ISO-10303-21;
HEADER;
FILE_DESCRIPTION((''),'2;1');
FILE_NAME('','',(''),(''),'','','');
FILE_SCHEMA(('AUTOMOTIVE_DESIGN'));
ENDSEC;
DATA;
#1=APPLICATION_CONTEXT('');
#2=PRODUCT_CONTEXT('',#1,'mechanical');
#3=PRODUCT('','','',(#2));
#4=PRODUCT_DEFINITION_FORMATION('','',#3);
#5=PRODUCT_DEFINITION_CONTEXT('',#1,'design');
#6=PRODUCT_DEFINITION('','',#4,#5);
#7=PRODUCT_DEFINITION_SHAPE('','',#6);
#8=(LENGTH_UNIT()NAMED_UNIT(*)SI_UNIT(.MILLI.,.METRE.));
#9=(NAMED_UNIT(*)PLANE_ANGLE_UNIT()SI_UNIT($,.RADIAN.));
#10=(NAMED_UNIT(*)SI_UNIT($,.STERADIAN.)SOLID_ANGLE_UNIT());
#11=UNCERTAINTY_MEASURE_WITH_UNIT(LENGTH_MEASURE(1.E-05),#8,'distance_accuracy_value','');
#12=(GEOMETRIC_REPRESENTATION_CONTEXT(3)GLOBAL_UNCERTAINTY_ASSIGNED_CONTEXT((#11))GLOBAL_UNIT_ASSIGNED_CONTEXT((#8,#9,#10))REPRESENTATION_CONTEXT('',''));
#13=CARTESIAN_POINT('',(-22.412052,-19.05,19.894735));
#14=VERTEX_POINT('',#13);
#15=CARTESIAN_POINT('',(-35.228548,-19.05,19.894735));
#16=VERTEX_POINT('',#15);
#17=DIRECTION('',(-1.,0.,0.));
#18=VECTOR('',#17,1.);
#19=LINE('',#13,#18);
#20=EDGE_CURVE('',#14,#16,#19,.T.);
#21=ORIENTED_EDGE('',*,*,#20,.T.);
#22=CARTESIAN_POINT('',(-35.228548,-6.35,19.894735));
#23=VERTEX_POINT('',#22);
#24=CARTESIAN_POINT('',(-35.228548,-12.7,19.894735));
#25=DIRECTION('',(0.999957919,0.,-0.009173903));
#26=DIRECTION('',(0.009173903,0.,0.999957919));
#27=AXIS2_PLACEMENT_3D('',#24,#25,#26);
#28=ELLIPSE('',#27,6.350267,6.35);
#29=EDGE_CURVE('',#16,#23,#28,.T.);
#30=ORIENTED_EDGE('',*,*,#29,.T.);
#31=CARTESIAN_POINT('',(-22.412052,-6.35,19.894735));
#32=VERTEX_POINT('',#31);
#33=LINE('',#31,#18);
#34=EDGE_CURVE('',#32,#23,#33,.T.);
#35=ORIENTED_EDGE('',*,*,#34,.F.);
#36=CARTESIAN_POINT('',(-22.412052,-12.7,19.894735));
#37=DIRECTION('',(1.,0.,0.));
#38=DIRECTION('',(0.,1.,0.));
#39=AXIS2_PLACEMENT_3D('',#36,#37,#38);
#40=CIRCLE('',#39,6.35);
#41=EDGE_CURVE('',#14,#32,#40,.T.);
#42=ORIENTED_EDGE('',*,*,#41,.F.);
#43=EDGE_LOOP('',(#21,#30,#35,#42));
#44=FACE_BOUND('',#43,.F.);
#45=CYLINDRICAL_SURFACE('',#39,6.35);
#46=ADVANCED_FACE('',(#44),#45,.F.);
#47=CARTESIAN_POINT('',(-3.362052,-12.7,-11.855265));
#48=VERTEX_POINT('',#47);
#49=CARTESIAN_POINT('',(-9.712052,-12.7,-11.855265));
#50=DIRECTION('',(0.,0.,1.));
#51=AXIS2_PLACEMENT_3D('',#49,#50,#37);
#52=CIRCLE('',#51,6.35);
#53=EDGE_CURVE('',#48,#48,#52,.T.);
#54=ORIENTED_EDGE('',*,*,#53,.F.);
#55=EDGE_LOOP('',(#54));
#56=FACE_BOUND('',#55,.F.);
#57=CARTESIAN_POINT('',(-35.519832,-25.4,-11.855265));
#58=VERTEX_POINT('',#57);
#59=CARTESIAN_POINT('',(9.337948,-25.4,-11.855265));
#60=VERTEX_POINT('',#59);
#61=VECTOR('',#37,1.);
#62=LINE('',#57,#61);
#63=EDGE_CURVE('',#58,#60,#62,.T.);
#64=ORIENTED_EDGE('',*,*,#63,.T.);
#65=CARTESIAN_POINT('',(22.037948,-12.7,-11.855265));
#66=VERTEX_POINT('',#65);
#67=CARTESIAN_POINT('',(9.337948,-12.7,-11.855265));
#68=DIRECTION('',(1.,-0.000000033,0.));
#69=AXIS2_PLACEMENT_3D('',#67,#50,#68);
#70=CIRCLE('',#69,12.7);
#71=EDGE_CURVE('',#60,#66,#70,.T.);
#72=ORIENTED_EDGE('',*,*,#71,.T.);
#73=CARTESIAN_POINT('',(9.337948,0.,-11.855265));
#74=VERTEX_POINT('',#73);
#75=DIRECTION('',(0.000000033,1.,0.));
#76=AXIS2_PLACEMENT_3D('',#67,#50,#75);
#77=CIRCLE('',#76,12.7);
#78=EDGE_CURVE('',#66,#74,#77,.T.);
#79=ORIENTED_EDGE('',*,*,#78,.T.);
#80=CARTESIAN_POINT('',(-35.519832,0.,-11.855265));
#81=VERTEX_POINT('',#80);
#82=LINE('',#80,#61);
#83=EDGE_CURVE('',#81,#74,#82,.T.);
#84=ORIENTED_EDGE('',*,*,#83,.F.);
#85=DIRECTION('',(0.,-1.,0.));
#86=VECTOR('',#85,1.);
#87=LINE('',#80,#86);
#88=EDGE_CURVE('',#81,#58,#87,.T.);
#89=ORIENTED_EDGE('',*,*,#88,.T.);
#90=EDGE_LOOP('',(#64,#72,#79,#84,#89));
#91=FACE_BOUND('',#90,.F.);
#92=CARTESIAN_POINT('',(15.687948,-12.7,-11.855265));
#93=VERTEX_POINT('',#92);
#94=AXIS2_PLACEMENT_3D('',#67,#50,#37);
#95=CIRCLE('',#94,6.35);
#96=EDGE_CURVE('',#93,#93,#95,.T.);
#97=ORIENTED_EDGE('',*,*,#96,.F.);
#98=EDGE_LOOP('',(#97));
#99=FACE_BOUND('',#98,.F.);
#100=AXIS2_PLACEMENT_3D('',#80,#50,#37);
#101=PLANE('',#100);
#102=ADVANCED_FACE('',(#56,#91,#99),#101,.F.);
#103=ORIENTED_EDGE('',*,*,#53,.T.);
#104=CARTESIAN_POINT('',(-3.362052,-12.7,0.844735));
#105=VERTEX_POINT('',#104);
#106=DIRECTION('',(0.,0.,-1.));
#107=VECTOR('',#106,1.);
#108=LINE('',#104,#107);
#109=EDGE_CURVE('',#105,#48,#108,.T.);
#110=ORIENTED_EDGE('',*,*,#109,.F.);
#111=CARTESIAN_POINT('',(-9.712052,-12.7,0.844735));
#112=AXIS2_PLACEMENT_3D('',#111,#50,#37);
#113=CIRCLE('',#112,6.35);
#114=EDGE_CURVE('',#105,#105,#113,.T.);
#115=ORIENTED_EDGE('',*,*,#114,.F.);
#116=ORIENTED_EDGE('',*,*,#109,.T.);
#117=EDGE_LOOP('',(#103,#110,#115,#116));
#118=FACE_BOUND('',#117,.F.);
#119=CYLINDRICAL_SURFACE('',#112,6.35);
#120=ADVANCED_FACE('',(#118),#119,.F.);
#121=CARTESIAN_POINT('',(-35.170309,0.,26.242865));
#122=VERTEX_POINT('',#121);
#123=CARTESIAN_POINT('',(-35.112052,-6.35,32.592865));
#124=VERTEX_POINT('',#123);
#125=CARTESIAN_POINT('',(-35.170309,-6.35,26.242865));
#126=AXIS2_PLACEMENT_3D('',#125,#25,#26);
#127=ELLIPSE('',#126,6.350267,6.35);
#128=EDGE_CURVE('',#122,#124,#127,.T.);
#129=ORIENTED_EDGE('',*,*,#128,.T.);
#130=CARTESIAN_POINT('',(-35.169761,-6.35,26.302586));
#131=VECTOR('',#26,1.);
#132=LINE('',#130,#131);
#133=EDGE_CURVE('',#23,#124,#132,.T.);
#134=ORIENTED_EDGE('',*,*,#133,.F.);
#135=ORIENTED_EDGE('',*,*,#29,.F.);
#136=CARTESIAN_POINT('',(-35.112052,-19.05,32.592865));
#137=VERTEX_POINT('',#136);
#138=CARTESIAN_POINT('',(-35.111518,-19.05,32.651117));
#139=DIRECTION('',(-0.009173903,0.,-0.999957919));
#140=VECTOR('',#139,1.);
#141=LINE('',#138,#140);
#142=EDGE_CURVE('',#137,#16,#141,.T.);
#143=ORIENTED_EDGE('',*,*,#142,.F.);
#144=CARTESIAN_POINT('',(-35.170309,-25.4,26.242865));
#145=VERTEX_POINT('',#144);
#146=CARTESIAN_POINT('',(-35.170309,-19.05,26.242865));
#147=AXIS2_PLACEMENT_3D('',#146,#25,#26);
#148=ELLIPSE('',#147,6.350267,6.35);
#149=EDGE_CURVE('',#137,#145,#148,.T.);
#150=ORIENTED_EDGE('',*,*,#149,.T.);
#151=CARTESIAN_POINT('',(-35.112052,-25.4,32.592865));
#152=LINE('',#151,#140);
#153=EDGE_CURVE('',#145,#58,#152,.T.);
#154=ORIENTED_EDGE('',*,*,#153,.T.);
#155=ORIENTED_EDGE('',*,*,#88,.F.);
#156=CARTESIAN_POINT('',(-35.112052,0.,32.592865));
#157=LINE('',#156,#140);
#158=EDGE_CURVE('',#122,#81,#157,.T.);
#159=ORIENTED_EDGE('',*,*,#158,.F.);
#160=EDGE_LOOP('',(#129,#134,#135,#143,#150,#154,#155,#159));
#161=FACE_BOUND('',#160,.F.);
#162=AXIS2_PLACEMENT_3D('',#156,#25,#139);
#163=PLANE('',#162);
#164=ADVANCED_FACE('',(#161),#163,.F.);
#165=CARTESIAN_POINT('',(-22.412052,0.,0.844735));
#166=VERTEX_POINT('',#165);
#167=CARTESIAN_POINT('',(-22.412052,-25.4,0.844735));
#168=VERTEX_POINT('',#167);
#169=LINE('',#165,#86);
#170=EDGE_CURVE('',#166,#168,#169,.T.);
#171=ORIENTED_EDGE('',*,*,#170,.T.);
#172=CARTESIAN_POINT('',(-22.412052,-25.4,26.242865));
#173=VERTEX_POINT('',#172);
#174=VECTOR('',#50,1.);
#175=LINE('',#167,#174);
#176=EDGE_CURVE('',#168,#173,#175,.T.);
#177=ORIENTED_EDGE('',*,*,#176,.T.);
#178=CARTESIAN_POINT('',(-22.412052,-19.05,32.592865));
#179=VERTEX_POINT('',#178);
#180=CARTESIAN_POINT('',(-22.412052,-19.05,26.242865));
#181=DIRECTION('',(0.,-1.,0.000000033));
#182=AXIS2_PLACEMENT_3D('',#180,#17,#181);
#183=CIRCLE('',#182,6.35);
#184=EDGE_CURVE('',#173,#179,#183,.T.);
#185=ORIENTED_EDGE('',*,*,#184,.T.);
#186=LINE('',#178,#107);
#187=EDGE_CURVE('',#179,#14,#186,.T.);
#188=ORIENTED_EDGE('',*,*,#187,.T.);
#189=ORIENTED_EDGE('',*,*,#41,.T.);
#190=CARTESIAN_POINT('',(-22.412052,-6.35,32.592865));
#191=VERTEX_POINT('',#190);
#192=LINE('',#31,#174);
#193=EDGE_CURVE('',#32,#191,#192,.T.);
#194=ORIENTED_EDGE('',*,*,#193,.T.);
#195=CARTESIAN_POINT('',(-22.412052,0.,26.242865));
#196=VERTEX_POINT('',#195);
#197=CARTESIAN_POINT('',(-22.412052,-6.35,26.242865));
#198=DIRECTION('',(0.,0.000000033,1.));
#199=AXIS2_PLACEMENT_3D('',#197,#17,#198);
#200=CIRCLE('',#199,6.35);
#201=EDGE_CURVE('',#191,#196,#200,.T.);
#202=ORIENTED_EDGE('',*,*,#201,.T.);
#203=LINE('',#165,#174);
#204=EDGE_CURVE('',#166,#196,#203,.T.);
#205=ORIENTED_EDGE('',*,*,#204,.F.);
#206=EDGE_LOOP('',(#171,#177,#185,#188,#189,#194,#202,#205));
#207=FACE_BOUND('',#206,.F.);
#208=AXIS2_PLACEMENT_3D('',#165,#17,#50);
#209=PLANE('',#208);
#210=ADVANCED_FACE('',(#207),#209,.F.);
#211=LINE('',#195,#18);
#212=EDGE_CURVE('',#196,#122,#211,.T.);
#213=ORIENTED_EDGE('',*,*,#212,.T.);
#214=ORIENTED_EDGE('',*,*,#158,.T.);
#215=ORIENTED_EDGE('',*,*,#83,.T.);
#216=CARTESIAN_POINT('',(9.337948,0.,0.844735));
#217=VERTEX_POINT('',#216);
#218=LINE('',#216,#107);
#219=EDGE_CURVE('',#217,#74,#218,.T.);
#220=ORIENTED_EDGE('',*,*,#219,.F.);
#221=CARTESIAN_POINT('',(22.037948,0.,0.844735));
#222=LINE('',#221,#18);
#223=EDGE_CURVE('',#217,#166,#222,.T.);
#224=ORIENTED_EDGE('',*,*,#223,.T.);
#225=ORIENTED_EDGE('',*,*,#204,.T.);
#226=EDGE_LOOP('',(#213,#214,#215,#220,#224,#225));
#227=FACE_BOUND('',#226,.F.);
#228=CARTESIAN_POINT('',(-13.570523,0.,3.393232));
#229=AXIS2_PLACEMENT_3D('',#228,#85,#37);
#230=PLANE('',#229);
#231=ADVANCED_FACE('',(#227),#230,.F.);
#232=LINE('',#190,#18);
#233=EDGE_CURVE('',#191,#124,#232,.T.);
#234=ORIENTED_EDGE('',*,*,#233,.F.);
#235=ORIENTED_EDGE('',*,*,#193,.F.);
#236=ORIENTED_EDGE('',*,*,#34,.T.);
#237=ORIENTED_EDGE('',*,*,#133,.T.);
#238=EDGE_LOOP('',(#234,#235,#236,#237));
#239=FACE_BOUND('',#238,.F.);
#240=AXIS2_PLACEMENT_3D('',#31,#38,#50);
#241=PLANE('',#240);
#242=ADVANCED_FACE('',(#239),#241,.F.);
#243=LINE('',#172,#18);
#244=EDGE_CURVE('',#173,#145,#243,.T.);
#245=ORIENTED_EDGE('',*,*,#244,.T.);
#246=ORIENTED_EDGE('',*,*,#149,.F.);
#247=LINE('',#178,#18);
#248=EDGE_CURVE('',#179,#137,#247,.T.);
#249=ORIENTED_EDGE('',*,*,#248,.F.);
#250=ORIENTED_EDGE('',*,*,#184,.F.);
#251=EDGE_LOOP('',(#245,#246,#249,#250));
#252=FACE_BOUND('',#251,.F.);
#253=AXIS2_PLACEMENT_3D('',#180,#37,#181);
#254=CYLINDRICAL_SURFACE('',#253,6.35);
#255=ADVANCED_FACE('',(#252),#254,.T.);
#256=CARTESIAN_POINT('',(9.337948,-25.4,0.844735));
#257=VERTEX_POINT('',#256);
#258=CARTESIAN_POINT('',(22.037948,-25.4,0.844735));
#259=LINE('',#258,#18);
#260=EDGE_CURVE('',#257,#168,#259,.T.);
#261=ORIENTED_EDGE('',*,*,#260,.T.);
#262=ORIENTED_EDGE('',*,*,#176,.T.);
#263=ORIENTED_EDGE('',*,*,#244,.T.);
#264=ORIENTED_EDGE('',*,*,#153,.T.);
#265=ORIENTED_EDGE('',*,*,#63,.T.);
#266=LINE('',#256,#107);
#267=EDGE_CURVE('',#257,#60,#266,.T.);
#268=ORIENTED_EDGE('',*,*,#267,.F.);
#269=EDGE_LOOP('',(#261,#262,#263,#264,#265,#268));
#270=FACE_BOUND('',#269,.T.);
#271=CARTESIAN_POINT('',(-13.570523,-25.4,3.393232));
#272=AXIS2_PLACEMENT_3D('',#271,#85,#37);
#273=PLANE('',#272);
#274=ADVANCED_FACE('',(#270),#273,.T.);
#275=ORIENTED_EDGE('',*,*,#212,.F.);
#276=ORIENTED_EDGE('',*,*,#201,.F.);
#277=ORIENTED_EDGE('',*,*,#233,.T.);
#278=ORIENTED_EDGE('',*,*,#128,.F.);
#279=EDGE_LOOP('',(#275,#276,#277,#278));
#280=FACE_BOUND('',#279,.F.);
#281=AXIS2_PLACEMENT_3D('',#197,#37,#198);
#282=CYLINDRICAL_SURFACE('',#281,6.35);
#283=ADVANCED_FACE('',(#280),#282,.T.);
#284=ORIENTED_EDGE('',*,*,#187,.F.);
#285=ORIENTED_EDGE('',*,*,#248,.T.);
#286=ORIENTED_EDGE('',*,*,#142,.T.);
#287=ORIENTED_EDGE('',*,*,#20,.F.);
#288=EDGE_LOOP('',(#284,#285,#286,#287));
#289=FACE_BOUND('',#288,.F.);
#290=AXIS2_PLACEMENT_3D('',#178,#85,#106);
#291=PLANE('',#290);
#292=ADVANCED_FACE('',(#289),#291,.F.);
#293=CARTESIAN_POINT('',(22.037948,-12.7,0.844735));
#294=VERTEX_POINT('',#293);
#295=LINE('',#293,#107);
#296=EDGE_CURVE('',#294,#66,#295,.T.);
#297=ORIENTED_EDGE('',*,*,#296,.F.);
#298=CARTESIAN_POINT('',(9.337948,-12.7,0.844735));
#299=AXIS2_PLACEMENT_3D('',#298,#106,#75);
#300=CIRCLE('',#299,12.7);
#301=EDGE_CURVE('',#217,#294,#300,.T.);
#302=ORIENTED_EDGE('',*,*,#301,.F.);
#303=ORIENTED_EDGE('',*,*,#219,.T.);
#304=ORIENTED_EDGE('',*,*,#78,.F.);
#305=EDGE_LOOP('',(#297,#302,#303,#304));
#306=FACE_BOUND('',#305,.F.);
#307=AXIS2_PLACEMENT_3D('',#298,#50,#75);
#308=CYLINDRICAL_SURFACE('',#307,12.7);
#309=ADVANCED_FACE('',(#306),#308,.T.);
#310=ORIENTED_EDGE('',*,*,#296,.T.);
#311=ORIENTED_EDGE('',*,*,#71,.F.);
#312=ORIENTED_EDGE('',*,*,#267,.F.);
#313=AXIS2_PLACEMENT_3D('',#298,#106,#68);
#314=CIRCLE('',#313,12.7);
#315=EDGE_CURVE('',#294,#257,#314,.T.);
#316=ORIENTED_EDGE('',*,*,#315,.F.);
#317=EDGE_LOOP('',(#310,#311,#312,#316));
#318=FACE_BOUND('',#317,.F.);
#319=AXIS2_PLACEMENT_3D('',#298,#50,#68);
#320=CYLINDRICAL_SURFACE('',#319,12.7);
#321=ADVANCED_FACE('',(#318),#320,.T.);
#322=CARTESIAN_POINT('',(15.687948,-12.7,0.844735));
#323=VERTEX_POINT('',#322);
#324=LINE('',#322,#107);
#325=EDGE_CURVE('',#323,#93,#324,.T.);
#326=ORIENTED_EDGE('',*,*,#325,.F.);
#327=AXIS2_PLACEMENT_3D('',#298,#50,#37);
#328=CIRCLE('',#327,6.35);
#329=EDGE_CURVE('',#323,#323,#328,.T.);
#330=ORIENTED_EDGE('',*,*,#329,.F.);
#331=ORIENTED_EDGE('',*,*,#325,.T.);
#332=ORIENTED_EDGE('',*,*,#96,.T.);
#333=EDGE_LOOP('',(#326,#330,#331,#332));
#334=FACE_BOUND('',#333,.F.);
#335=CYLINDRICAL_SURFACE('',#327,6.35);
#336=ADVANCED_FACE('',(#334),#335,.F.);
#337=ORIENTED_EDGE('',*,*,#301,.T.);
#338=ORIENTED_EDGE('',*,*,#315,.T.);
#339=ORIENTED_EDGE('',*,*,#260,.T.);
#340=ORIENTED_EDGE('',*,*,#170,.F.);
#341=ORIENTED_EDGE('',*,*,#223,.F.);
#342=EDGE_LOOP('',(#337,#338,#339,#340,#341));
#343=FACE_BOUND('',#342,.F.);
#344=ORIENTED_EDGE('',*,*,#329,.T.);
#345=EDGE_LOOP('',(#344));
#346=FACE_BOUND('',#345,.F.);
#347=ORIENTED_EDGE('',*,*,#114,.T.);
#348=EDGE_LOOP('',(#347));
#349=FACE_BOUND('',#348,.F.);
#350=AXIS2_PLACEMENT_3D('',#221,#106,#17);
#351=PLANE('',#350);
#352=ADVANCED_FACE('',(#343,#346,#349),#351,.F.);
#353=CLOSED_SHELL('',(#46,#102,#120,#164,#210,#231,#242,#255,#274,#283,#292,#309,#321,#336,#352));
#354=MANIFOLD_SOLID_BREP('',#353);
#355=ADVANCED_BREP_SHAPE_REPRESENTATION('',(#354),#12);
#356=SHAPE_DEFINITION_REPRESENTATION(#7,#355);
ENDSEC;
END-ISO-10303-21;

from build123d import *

# Parameters (mm, degrees)
F1_DEPTH = 25.4
F2_R     = 6.35
F3_DEPTH = 25.4
F5_DEPTH = 25.4
F7_DEPTH = 25.4


with BuildPart() as f1:
    # F0 (on Front) → F1 (new body)
    with BuildSketch(Plane.XZ):
        Polygon((-22.412052, 32.592865), (-35.112052, 32.592865), (-35.519832, -11.855265), (22.037948, -11.855265), (22.037948, 0.844735), (-22.412052, 0.844735), align=None)
    extrude(amount=F1_DEPTH)

    # F2 (on face) → F3 (cut)
    with BuildSketch(Plane.XY.offset(0.844735)):
        with Locations((-9.712052, -12.7)):
            Circle(F2_R)
        with Locations((9.337948, -12.7)):
            Circle(F2_R)
        with BuildLine():
            Line((22.037948, 0), (9.337948, 0))
            ThreePointArc((9.337948, 0), (18.318204, -3.719744), (22.037948, -12.7))
            Line((22.037948, -12.7), (22.037948, 0))
        make_face()
        with BuildLine():
            Line((22.037948, -25.4), (22.037948, -12.7))
            ThreePointArc((22.037948, -12.7), (18.318204, -21.680256), (9.337948, -25.4))
            Line((9.337948, -25.4), (22.037948, -25.4))
        make_face()
    extrude(amount=-F3_DEPTH, mode=Mode.SUBTRACT)

    # F4 (on face) → F5 (cut)
    with BuildSketch(Plane.YZ.offset(-22.412052)):
        with BuildLine():
            ThreePointArc((-25.4, 26.242865), (-23.540128, 30.732993), (-19.05, 32.592865))
            Line((-19.05, 32.592865), (-25.4, 32.592865))
            Line((-25.4, 32.592865), (-25.4, 26.242865))
        make_face()
        with BuildLine():
            Line((0, 32.592865), (-6.35, 32.592865))
            ThreePointArc((-6.35, 32.592865), (-1.859872, 30.732993), (0, 26.242865))
            Line((0, 26.242865), (0, 32.592865))
        make_face()
    extrude(amount=-F5_DEPTH, mode=Mode.SUBTRACT)

    # F6 (on face) → F7 (cut)
    with BuildSketch(Plane.YZ.offset(-22.412052)):
        with BuildLine():
            ThreePointArc((-19.05, 19.894735), (-12.7, 26.244735), (-6.35, 19.894735))
            Line((-6.35, 19.894735), (-6.35, 32.592865))
            Line((-6.35, 32.592865), (-19.05, 32.592865))
            Line((-19.05, 32.592865), (-19.05, 19.894735))
        make_face()
        with BuildLine():
            ThreePointArc((-19.05, 19.894735), (-12.7, 13.544735), (-6.35, 19.894735))
            ThreePointArc((-6.35, 19.894735), (-12.7, 26.244735), (-19.05, 19.894735))
        make_face()
    extrude(amount=-F7_DEPTH, mode=Mode.SUBTRACT)


solid = f1.part
